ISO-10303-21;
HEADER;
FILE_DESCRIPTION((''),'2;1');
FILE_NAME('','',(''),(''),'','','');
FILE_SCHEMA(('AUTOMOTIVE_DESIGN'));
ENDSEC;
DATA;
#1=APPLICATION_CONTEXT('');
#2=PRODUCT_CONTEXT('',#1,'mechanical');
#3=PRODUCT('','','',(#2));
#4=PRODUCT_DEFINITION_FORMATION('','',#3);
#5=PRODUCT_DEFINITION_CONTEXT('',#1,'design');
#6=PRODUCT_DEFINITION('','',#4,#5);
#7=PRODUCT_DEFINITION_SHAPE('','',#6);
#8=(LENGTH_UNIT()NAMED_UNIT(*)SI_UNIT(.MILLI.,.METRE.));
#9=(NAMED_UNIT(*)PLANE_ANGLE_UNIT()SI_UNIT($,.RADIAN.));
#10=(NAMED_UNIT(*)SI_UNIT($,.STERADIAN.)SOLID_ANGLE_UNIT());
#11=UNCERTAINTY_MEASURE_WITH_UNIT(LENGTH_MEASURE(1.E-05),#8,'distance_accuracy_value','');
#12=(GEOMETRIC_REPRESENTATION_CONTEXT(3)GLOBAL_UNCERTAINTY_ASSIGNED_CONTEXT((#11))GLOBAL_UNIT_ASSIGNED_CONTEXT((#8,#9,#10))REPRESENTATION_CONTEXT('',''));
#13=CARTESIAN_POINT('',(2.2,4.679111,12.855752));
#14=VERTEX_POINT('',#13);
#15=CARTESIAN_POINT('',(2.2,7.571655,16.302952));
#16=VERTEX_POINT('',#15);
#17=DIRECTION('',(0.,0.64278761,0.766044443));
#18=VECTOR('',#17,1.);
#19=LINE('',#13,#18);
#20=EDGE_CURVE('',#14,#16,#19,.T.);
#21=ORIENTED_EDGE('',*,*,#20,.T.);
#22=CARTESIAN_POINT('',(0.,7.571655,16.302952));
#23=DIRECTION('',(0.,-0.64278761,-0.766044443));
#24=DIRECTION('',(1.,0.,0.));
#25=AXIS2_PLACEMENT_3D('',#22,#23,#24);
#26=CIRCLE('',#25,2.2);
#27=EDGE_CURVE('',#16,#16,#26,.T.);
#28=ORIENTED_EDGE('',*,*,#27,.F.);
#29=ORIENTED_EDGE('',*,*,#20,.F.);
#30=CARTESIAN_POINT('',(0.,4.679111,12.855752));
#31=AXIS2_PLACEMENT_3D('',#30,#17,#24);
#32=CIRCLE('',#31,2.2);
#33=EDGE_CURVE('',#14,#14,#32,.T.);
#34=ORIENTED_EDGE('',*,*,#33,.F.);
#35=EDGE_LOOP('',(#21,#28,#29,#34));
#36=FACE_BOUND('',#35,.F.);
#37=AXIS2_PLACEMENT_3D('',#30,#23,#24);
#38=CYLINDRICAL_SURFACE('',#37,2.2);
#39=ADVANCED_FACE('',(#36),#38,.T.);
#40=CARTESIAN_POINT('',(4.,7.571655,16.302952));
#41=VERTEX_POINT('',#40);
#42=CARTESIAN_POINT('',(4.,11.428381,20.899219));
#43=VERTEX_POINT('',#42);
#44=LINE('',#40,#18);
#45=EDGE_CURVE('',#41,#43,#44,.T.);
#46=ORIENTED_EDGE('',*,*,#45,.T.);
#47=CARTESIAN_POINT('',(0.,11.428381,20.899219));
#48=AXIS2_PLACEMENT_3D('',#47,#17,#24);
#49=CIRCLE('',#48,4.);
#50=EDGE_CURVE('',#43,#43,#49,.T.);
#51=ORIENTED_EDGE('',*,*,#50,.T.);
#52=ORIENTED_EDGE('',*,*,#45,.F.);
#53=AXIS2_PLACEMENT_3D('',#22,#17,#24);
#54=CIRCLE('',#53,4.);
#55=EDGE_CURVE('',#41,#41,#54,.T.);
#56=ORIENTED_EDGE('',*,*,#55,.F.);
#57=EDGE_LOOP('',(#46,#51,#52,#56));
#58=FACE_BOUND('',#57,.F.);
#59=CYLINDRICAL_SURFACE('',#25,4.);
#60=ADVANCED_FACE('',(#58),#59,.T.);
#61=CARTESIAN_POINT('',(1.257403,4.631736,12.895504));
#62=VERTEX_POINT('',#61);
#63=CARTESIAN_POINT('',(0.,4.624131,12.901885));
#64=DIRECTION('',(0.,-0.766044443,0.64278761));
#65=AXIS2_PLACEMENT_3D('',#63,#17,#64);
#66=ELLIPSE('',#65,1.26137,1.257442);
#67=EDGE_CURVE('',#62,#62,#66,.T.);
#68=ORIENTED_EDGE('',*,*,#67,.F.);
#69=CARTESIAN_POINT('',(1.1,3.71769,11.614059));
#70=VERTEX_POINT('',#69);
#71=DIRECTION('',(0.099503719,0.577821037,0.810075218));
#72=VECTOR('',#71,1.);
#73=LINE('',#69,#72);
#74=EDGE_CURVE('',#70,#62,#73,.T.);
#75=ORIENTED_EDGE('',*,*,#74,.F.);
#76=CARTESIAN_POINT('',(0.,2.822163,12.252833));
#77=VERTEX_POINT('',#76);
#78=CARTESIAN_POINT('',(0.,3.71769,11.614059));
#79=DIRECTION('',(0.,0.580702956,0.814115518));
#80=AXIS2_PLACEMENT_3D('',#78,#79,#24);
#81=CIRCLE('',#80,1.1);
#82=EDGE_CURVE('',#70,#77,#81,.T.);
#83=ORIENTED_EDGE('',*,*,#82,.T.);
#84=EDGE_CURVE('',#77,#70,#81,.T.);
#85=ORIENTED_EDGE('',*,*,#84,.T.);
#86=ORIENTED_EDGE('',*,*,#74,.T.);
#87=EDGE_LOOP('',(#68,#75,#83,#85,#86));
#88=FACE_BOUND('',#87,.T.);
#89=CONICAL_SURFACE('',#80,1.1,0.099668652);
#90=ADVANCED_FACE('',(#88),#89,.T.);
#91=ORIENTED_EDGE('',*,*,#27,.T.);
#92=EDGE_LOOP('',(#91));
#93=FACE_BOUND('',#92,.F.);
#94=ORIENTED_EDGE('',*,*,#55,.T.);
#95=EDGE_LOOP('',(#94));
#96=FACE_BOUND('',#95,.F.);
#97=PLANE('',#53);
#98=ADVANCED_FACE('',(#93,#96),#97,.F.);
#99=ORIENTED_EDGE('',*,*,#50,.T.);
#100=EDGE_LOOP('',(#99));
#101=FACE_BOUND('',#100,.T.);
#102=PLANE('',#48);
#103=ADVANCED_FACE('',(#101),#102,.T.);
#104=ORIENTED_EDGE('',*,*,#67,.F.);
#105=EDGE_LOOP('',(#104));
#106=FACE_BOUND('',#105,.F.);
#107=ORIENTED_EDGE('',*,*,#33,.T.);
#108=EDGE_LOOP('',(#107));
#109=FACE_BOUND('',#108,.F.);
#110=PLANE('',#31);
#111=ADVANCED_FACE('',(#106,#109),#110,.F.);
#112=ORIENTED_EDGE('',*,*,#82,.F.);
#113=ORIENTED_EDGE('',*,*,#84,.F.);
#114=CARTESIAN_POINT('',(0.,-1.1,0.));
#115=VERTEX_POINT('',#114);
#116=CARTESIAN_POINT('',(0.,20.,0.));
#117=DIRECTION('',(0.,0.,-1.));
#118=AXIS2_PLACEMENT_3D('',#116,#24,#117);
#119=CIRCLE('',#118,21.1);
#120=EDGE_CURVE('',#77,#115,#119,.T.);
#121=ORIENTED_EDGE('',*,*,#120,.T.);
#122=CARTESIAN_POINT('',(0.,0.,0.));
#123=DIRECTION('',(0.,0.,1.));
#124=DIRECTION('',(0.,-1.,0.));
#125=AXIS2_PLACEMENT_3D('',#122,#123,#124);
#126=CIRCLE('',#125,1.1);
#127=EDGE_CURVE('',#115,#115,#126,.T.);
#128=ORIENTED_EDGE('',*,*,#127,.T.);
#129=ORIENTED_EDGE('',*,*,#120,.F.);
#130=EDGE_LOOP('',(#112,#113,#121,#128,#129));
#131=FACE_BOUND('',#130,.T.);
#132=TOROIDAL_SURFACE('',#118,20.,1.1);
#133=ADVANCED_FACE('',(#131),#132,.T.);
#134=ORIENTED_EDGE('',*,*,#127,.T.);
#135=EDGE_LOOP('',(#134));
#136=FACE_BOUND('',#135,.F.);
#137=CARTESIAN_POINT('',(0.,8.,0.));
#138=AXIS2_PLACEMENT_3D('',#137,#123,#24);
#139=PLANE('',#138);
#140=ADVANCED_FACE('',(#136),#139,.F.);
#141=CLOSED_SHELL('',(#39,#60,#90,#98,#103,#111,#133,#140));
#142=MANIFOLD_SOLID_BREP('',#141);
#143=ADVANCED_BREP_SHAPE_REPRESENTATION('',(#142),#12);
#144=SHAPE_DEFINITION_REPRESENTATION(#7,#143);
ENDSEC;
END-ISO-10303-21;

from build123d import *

# Parameters (mm, degrees)
CONE006_ROLL_ANGLE         = -35.5
BOX001027045028_W          = 10
BOX001027045028_H          = 24
BOX001027045028_DEPTH      = 22
BOX001027045028_ROLL_ANGLE = -35.5
BOX001027045027_W          = 10
BOX001027045027_H          = 24
BOX001027045027_DEPTH      = 22
TORUS005_R                 = 1.1
TORUS005_PITCH_ANGLE       = 90
CYLINDER133_R              = 4
CYLINDER133_DEPTH          = 6
CYLINDER133_ROLL_ANGLE     = -40
CYLINDER132_R              = 2.2
CYLINDER132_DEPTH          = 10
CYLINDER132_ROLL_ANGLE     = -40


with BuildPart() as cone006:
    # Cone006 → Cone006 (revolve)
    with BuildSketch(Plane.XZ):
        Polygon((0, 0), (1.1, 0), (1.3, 2), (0, 2), align=None)
    revolve(axis=Axis((0, 0, 0), (0, 0, 1)))


with BuildPart() as cone006_1:
    # Cone006 roll: moved
    add(cone006.part.rotate(Axis((0, 0, 0), (1, 0, 0)), CONE006_ROLL_ANGLE))


with BuildPart() as cone006_2:
    # Cone006 placement: moved
    add(cone006_1.part.moved(Location((0, 3.71769, 11.614059))))


with BuildPart() as cube081:
    # Box001027045028 → Box001027045028 (new body)
    with BuildSketch(Plane.XY):
        with Locations((5, 12)):
            Rectangle(BOX001027045028_W, BOX001027045028_H)
    extrude(amount=BOX001027045028_DEPTH)


with BuildPart() as cube081_1:
    # Box001027045028 roll: moved
    add(cube081.part.rotate(Axis((0, 0, 0), (1, 0, 0)), BOX001027045028_ROLL_ANGLE))


with BuildPart() as cube081_2:
    # Box001027045028 placement: moved
    add(cube081_1.part.moved(Location((-5, 0.461228, 13.936871))))


with BuildPart() as cube080:
    # Box001027045027 → Box001027045027 (new body)
    with BuildSketch(Plane(origin=(-5, -4, 0), x_dir=(1, 0, 0), z_dir=(0, 0, 1))):
        with Locations((5, 12)):
            Rectangle(BOX001027045027_W, BOX001027045027_H)
    extrude(amount=BOX001027045027_DEPTH)


with BuildPart() as cut072:
    # Torus005 → Torus005 (revolve)
    with BuildSketch(Plane.XZ):
        with Locations((20, 0)):
            Circle(TORUS005_R)
    revolve(axis=Axis((0, 0, 0), (0, 0, 1)))


with BuildPart() as cut072_1:
    # Torus005 pitch: moved
    add(cut072.part.rotate(Axis((0, 0, 0), (0, 1, 0)), TORUS005_PITCH_ANGLE))


with BuildPart() as cut072_2:
    # Torus005 placement: moved
    add(cut072_1.part.moved(Location((0, 20, 0))))

    # Common057: intersect Cube080
    add(cube080.part, mode=Mode.INTERSECT)

    # Cut072: cut Cube081
    add(cube081_2.part, mode=Mode.SUBTRACT)


with BuildPart() as cylinder191:
    # Cylinder133 → Cylinder133 (new body)
    with BuildSketch(Plane.XY):
        Circle(CYLINDER133_R)
    extrude(amount=CYLINDER133_DEPTH)


with BuildPart() as cylinder191_1:
    # Cylinder133 roll: moved
    add(cylinder191.part.rotate(Axis((0, 0, 0), (1, 0, 0)), CYLINDER133_ROLL_ANGLE))


with BuildPart() as cylinder191_2:
    # Cylinder133 placement: moved
    add(cylinder191_1.part.moved(Location((0, 7.571655, 16.302952))))


with BuildPart() as torroidal_hole008:
    # Cylinder132 → Cylinder132 (new body)
    with BuildSketch(Plane.XY):
        Circle(CYLINDER132_R)
    extrude(amount=CYLINDER132_DEPTH)


with BuildPart() as torroidal_hole008_1:
    # Cylinder132 roll: moved
    add(torroidal_hole008.part.rotate(Axis((0, 0, 0), (1, 0, 0)), CYLINDER132_ROLL_ANGLE))


with BuildPart() as torroidal_hole008_2:
    # Cylinder132 placement: moved
    add(torroidal_hole008_1.part.moved(Location((0, 4.679111, 12.855752))))

    # Fusion112045: union Cone006, Cut072, Cylinder191
    add(cone006_2.part)
    add(cut072_2.part)
    add(cylinder191_2.part)


solid = torroidal_hole008_2.part
